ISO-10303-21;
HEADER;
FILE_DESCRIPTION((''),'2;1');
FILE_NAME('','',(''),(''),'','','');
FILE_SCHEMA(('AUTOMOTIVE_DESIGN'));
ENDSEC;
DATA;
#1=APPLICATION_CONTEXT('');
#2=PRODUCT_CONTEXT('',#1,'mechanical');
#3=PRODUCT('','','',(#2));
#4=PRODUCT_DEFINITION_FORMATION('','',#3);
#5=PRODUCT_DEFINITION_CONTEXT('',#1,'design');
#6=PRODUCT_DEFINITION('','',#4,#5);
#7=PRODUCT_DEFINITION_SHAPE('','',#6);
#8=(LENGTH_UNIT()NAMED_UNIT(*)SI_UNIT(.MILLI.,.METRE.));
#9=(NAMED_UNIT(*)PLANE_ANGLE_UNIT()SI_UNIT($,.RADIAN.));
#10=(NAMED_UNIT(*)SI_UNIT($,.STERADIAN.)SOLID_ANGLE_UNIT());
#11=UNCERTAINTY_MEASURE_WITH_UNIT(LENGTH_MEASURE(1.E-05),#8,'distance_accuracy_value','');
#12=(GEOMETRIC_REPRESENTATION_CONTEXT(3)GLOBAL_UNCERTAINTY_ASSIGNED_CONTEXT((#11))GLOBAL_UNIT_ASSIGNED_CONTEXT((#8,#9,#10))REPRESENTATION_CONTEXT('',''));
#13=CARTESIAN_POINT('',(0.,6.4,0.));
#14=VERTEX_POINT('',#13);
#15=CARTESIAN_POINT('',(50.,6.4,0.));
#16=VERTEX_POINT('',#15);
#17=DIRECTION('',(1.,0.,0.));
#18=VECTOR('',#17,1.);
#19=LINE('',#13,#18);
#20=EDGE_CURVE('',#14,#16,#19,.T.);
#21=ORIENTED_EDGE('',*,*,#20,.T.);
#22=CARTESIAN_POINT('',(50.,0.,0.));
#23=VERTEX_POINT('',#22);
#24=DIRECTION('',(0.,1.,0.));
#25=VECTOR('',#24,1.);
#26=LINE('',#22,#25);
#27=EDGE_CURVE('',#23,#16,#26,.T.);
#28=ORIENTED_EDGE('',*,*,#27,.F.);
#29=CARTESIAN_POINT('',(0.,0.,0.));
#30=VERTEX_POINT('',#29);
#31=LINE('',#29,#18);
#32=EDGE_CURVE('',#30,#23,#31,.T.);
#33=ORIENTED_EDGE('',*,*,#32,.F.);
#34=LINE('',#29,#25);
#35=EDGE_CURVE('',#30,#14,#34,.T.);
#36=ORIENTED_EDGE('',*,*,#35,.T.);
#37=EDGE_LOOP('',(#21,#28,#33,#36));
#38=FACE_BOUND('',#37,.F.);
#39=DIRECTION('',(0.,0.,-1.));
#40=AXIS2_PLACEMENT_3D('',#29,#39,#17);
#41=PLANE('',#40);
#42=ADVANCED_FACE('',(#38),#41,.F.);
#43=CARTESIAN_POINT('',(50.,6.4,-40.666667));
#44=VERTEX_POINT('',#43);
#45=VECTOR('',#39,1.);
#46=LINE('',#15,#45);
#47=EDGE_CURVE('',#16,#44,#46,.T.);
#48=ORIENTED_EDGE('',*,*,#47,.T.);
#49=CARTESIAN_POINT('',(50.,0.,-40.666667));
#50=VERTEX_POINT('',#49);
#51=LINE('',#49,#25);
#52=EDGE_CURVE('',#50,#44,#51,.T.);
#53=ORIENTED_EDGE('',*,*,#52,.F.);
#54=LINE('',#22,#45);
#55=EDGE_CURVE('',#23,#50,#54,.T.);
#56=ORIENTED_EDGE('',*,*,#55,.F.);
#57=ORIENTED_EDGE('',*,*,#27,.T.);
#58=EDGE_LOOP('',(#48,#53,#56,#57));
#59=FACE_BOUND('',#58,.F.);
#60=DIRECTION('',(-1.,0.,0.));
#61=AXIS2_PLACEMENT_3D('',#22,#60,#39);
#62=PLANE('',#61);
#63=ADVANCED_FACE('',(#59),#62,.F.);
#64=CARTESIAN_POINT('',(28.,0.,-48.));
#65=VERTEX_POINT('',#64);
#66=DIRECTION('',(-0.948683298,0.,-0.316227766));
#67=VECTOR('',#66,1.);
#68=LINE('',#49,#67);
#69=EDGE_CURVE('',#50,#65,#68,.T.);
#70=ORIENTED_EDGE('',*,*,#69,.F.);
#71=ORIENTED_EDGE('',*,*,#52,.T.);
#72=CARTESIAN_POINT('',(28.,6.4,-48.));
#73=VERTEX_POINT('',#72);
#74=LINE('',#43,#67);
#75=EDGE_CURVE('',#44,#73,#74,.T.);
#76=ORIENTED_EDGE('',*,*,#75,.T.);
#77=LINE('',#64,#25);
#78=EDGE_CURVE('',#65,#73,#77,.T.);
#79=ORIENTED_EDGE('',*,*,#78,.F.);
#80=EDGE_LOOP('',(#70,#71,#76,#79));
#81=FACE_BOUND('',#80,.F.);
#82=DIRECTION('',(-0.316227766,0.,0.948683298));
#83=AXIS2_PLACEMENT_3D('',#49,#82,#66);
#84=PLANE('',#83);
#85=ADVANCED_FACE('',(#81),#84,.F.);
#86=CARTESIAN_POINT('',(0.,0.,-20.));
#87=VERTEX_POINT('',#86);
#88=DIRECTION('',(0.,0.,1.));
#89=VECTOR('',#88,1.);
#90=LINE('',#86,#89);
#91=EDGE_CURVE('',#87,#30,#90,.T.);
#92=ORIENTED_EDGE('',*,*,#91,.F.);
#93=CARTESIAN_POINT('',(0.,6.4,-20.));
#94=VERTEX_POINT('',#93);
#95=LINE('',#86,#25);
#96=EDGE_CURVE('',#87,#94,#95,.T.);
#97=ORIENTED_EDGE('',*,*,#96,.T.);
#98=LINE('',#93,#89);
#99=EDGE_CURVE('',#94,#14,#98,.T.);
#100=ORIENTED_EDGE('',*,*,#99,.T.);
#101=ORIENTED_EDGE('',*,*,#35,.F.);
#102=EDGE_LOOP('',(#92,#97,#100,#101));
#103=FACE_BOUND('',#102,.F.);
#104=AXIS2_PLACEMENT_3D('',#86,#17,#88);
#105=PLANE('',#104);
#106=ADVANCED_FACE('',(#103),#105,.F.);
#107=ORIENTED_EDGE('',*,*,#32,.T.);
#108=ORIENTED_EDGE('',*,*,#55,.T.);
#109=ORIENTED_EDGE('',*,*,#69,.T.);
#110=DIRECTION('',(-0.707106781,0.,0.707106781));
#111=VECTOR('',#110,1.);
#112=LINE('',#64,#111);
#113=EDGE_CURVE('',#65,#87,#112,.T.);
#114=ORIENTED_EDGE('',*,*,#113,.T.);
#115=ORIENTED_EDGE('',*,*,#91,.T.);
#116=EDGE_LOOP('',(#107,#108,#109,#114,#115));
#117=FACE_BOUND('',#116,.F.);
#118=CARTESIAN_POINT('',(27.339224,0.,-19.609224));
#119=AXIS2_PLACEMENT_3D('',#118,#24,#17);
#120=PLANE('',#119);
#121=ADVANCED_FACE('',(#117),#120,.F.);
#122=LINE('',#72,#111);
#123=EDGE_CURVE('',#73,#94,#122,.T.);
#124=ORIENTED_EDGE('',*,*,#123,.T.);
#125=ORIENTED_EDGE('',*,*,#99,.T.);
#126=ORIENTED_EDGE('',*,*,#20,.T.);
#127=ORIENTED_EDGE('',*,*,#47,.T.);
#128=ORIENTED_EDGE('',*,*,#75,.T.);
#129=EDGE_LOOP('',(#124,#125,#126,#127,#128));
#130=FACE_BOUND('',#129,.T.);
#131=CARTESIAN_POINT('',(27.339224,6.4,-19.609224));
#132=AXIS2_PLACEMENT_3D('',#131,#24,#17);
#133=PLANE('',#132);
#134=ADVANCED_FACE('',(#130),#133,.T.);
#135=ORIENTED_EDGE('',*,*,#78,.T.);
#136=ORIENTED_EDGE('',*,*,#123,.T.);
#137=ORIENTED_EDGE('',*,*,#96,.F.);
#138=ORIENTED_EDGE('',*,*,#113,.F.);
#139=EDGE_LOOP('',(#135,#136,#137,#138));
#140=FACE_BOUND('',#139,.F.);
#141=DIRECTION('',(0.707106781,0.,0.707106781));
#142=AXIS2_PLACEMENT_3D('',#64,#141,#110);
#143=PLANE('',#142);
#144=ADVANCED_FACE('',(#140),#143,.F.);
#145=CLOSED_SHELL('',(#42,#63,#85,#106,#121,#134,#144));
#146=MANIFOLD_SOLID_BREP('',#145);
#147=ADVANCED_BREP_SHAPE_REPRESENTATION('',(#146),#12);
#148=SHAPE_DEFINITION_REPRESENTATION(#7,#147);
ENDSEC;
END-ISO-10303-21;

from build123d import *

# Parameters (mm, degrees)
EXTRUDE_B_DEPTH = 6.4


with BuildPart() as part:
    # puzzle plan_3 → Extrude B (new body)
    with BuildSketch(Plane(origin=(0, 0, 0), x_dir=(1, 0, 0), z_dir=(0, 1, 0))):
        Polygon((28, 48), (0, 20), (0, 0), (50, 0), (50, 40.666666667), align=None)
    extrude(amount=EXTRUDE_B_DEPTH)


solid = part.part
